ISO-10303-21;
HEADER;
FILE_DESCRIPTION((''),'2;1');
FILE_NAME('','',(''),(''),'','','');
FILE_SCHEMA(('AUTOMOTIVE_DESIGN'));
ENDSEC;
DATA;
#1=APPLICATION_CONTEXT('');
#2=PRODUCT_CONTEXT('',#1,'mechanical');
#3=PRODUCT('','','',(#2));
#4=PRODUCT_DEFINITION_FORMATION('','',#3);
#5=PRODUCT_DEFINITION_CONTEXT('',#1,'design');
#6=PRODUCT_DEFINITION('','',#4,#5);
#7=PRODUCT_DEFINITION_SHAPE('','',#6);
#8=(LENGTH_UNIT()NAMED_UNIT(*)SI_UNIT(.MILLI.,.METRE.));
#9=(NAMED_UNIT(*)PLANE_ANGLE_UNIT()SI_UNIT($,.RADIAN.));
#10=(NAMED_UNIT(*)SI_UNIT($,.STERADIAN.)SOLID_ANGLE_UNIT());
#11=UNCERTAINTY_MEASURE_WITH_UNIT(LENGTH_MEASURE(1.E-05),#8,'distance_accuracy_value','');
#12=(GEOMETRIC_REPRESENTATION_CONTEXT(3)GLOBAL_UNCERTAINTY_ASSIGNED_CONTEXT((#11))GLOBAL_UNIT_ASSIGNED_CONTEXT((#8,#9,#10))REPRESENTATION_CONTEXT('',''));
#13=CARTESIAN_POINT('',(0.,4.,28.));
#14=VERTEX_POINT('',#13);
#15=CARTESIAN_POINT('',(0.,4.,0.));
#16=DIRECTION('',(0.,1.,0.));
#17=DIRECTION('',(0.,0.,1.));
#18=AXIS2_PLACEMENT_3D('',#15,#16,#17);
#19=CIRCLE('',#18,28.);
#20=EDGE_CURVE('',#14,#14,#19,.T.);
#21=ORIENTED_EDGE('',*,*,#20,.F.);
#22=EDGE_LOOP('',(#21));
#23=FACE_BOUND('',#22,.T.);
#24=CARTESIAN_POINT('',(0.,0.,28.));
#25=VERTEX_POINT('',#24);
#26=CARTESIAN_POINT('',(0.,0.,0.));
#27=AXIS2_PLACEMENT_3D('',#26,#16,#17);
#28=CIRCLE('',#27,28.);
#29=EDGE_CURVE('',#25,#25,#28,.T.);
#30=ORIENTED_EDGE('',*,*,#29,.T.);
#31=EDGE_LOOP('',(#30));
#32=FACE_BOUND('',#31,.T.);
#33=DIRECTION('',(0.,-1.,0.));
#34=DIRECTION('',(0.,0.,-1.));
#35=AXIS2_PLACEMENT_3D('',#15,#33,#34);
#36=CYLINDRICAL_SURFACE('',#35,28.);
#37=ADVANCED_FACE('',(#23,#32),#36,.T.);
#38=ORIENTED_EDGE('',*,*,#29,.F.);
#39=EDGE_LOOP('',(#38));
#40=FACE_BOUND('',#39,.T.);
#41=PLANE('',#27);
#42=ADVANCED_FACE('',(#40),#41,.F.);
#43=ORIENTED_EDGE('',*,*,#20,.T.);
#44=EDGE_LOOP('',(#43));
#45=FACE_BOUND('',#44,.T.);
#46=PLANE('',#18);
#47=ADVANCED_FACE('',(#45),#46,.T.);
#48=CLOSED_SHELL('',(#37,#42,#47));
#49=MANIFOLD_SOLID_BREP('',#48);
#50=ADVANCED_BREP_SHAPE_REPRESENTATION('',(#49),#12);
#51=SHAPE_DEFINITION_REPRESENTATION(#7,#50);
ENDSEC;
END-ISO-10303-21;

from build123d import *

# Parameters (mm, degrees)
IZIM1_R                     = 28
Y_KSEKLIK_EKSTR_ZYON1_DEPTH = 4


with BuildPart() as part:
    # Çizim1 → Yükseklik-Ekstrüzyon1 (new body)
    with BuildSketch(Plane(origin=(0, 0, 0), x_dir=(1, 0, 0), z_dir=(0, 1, 0))):
        with Locations(Location((0, 0, 0), (0, 0, 270))):
            Circle(IZIM1_R)
    extrude(amount=Y_KSEKLIK_EKSTR_ZYON1_DEPTH)


solid = part.part
